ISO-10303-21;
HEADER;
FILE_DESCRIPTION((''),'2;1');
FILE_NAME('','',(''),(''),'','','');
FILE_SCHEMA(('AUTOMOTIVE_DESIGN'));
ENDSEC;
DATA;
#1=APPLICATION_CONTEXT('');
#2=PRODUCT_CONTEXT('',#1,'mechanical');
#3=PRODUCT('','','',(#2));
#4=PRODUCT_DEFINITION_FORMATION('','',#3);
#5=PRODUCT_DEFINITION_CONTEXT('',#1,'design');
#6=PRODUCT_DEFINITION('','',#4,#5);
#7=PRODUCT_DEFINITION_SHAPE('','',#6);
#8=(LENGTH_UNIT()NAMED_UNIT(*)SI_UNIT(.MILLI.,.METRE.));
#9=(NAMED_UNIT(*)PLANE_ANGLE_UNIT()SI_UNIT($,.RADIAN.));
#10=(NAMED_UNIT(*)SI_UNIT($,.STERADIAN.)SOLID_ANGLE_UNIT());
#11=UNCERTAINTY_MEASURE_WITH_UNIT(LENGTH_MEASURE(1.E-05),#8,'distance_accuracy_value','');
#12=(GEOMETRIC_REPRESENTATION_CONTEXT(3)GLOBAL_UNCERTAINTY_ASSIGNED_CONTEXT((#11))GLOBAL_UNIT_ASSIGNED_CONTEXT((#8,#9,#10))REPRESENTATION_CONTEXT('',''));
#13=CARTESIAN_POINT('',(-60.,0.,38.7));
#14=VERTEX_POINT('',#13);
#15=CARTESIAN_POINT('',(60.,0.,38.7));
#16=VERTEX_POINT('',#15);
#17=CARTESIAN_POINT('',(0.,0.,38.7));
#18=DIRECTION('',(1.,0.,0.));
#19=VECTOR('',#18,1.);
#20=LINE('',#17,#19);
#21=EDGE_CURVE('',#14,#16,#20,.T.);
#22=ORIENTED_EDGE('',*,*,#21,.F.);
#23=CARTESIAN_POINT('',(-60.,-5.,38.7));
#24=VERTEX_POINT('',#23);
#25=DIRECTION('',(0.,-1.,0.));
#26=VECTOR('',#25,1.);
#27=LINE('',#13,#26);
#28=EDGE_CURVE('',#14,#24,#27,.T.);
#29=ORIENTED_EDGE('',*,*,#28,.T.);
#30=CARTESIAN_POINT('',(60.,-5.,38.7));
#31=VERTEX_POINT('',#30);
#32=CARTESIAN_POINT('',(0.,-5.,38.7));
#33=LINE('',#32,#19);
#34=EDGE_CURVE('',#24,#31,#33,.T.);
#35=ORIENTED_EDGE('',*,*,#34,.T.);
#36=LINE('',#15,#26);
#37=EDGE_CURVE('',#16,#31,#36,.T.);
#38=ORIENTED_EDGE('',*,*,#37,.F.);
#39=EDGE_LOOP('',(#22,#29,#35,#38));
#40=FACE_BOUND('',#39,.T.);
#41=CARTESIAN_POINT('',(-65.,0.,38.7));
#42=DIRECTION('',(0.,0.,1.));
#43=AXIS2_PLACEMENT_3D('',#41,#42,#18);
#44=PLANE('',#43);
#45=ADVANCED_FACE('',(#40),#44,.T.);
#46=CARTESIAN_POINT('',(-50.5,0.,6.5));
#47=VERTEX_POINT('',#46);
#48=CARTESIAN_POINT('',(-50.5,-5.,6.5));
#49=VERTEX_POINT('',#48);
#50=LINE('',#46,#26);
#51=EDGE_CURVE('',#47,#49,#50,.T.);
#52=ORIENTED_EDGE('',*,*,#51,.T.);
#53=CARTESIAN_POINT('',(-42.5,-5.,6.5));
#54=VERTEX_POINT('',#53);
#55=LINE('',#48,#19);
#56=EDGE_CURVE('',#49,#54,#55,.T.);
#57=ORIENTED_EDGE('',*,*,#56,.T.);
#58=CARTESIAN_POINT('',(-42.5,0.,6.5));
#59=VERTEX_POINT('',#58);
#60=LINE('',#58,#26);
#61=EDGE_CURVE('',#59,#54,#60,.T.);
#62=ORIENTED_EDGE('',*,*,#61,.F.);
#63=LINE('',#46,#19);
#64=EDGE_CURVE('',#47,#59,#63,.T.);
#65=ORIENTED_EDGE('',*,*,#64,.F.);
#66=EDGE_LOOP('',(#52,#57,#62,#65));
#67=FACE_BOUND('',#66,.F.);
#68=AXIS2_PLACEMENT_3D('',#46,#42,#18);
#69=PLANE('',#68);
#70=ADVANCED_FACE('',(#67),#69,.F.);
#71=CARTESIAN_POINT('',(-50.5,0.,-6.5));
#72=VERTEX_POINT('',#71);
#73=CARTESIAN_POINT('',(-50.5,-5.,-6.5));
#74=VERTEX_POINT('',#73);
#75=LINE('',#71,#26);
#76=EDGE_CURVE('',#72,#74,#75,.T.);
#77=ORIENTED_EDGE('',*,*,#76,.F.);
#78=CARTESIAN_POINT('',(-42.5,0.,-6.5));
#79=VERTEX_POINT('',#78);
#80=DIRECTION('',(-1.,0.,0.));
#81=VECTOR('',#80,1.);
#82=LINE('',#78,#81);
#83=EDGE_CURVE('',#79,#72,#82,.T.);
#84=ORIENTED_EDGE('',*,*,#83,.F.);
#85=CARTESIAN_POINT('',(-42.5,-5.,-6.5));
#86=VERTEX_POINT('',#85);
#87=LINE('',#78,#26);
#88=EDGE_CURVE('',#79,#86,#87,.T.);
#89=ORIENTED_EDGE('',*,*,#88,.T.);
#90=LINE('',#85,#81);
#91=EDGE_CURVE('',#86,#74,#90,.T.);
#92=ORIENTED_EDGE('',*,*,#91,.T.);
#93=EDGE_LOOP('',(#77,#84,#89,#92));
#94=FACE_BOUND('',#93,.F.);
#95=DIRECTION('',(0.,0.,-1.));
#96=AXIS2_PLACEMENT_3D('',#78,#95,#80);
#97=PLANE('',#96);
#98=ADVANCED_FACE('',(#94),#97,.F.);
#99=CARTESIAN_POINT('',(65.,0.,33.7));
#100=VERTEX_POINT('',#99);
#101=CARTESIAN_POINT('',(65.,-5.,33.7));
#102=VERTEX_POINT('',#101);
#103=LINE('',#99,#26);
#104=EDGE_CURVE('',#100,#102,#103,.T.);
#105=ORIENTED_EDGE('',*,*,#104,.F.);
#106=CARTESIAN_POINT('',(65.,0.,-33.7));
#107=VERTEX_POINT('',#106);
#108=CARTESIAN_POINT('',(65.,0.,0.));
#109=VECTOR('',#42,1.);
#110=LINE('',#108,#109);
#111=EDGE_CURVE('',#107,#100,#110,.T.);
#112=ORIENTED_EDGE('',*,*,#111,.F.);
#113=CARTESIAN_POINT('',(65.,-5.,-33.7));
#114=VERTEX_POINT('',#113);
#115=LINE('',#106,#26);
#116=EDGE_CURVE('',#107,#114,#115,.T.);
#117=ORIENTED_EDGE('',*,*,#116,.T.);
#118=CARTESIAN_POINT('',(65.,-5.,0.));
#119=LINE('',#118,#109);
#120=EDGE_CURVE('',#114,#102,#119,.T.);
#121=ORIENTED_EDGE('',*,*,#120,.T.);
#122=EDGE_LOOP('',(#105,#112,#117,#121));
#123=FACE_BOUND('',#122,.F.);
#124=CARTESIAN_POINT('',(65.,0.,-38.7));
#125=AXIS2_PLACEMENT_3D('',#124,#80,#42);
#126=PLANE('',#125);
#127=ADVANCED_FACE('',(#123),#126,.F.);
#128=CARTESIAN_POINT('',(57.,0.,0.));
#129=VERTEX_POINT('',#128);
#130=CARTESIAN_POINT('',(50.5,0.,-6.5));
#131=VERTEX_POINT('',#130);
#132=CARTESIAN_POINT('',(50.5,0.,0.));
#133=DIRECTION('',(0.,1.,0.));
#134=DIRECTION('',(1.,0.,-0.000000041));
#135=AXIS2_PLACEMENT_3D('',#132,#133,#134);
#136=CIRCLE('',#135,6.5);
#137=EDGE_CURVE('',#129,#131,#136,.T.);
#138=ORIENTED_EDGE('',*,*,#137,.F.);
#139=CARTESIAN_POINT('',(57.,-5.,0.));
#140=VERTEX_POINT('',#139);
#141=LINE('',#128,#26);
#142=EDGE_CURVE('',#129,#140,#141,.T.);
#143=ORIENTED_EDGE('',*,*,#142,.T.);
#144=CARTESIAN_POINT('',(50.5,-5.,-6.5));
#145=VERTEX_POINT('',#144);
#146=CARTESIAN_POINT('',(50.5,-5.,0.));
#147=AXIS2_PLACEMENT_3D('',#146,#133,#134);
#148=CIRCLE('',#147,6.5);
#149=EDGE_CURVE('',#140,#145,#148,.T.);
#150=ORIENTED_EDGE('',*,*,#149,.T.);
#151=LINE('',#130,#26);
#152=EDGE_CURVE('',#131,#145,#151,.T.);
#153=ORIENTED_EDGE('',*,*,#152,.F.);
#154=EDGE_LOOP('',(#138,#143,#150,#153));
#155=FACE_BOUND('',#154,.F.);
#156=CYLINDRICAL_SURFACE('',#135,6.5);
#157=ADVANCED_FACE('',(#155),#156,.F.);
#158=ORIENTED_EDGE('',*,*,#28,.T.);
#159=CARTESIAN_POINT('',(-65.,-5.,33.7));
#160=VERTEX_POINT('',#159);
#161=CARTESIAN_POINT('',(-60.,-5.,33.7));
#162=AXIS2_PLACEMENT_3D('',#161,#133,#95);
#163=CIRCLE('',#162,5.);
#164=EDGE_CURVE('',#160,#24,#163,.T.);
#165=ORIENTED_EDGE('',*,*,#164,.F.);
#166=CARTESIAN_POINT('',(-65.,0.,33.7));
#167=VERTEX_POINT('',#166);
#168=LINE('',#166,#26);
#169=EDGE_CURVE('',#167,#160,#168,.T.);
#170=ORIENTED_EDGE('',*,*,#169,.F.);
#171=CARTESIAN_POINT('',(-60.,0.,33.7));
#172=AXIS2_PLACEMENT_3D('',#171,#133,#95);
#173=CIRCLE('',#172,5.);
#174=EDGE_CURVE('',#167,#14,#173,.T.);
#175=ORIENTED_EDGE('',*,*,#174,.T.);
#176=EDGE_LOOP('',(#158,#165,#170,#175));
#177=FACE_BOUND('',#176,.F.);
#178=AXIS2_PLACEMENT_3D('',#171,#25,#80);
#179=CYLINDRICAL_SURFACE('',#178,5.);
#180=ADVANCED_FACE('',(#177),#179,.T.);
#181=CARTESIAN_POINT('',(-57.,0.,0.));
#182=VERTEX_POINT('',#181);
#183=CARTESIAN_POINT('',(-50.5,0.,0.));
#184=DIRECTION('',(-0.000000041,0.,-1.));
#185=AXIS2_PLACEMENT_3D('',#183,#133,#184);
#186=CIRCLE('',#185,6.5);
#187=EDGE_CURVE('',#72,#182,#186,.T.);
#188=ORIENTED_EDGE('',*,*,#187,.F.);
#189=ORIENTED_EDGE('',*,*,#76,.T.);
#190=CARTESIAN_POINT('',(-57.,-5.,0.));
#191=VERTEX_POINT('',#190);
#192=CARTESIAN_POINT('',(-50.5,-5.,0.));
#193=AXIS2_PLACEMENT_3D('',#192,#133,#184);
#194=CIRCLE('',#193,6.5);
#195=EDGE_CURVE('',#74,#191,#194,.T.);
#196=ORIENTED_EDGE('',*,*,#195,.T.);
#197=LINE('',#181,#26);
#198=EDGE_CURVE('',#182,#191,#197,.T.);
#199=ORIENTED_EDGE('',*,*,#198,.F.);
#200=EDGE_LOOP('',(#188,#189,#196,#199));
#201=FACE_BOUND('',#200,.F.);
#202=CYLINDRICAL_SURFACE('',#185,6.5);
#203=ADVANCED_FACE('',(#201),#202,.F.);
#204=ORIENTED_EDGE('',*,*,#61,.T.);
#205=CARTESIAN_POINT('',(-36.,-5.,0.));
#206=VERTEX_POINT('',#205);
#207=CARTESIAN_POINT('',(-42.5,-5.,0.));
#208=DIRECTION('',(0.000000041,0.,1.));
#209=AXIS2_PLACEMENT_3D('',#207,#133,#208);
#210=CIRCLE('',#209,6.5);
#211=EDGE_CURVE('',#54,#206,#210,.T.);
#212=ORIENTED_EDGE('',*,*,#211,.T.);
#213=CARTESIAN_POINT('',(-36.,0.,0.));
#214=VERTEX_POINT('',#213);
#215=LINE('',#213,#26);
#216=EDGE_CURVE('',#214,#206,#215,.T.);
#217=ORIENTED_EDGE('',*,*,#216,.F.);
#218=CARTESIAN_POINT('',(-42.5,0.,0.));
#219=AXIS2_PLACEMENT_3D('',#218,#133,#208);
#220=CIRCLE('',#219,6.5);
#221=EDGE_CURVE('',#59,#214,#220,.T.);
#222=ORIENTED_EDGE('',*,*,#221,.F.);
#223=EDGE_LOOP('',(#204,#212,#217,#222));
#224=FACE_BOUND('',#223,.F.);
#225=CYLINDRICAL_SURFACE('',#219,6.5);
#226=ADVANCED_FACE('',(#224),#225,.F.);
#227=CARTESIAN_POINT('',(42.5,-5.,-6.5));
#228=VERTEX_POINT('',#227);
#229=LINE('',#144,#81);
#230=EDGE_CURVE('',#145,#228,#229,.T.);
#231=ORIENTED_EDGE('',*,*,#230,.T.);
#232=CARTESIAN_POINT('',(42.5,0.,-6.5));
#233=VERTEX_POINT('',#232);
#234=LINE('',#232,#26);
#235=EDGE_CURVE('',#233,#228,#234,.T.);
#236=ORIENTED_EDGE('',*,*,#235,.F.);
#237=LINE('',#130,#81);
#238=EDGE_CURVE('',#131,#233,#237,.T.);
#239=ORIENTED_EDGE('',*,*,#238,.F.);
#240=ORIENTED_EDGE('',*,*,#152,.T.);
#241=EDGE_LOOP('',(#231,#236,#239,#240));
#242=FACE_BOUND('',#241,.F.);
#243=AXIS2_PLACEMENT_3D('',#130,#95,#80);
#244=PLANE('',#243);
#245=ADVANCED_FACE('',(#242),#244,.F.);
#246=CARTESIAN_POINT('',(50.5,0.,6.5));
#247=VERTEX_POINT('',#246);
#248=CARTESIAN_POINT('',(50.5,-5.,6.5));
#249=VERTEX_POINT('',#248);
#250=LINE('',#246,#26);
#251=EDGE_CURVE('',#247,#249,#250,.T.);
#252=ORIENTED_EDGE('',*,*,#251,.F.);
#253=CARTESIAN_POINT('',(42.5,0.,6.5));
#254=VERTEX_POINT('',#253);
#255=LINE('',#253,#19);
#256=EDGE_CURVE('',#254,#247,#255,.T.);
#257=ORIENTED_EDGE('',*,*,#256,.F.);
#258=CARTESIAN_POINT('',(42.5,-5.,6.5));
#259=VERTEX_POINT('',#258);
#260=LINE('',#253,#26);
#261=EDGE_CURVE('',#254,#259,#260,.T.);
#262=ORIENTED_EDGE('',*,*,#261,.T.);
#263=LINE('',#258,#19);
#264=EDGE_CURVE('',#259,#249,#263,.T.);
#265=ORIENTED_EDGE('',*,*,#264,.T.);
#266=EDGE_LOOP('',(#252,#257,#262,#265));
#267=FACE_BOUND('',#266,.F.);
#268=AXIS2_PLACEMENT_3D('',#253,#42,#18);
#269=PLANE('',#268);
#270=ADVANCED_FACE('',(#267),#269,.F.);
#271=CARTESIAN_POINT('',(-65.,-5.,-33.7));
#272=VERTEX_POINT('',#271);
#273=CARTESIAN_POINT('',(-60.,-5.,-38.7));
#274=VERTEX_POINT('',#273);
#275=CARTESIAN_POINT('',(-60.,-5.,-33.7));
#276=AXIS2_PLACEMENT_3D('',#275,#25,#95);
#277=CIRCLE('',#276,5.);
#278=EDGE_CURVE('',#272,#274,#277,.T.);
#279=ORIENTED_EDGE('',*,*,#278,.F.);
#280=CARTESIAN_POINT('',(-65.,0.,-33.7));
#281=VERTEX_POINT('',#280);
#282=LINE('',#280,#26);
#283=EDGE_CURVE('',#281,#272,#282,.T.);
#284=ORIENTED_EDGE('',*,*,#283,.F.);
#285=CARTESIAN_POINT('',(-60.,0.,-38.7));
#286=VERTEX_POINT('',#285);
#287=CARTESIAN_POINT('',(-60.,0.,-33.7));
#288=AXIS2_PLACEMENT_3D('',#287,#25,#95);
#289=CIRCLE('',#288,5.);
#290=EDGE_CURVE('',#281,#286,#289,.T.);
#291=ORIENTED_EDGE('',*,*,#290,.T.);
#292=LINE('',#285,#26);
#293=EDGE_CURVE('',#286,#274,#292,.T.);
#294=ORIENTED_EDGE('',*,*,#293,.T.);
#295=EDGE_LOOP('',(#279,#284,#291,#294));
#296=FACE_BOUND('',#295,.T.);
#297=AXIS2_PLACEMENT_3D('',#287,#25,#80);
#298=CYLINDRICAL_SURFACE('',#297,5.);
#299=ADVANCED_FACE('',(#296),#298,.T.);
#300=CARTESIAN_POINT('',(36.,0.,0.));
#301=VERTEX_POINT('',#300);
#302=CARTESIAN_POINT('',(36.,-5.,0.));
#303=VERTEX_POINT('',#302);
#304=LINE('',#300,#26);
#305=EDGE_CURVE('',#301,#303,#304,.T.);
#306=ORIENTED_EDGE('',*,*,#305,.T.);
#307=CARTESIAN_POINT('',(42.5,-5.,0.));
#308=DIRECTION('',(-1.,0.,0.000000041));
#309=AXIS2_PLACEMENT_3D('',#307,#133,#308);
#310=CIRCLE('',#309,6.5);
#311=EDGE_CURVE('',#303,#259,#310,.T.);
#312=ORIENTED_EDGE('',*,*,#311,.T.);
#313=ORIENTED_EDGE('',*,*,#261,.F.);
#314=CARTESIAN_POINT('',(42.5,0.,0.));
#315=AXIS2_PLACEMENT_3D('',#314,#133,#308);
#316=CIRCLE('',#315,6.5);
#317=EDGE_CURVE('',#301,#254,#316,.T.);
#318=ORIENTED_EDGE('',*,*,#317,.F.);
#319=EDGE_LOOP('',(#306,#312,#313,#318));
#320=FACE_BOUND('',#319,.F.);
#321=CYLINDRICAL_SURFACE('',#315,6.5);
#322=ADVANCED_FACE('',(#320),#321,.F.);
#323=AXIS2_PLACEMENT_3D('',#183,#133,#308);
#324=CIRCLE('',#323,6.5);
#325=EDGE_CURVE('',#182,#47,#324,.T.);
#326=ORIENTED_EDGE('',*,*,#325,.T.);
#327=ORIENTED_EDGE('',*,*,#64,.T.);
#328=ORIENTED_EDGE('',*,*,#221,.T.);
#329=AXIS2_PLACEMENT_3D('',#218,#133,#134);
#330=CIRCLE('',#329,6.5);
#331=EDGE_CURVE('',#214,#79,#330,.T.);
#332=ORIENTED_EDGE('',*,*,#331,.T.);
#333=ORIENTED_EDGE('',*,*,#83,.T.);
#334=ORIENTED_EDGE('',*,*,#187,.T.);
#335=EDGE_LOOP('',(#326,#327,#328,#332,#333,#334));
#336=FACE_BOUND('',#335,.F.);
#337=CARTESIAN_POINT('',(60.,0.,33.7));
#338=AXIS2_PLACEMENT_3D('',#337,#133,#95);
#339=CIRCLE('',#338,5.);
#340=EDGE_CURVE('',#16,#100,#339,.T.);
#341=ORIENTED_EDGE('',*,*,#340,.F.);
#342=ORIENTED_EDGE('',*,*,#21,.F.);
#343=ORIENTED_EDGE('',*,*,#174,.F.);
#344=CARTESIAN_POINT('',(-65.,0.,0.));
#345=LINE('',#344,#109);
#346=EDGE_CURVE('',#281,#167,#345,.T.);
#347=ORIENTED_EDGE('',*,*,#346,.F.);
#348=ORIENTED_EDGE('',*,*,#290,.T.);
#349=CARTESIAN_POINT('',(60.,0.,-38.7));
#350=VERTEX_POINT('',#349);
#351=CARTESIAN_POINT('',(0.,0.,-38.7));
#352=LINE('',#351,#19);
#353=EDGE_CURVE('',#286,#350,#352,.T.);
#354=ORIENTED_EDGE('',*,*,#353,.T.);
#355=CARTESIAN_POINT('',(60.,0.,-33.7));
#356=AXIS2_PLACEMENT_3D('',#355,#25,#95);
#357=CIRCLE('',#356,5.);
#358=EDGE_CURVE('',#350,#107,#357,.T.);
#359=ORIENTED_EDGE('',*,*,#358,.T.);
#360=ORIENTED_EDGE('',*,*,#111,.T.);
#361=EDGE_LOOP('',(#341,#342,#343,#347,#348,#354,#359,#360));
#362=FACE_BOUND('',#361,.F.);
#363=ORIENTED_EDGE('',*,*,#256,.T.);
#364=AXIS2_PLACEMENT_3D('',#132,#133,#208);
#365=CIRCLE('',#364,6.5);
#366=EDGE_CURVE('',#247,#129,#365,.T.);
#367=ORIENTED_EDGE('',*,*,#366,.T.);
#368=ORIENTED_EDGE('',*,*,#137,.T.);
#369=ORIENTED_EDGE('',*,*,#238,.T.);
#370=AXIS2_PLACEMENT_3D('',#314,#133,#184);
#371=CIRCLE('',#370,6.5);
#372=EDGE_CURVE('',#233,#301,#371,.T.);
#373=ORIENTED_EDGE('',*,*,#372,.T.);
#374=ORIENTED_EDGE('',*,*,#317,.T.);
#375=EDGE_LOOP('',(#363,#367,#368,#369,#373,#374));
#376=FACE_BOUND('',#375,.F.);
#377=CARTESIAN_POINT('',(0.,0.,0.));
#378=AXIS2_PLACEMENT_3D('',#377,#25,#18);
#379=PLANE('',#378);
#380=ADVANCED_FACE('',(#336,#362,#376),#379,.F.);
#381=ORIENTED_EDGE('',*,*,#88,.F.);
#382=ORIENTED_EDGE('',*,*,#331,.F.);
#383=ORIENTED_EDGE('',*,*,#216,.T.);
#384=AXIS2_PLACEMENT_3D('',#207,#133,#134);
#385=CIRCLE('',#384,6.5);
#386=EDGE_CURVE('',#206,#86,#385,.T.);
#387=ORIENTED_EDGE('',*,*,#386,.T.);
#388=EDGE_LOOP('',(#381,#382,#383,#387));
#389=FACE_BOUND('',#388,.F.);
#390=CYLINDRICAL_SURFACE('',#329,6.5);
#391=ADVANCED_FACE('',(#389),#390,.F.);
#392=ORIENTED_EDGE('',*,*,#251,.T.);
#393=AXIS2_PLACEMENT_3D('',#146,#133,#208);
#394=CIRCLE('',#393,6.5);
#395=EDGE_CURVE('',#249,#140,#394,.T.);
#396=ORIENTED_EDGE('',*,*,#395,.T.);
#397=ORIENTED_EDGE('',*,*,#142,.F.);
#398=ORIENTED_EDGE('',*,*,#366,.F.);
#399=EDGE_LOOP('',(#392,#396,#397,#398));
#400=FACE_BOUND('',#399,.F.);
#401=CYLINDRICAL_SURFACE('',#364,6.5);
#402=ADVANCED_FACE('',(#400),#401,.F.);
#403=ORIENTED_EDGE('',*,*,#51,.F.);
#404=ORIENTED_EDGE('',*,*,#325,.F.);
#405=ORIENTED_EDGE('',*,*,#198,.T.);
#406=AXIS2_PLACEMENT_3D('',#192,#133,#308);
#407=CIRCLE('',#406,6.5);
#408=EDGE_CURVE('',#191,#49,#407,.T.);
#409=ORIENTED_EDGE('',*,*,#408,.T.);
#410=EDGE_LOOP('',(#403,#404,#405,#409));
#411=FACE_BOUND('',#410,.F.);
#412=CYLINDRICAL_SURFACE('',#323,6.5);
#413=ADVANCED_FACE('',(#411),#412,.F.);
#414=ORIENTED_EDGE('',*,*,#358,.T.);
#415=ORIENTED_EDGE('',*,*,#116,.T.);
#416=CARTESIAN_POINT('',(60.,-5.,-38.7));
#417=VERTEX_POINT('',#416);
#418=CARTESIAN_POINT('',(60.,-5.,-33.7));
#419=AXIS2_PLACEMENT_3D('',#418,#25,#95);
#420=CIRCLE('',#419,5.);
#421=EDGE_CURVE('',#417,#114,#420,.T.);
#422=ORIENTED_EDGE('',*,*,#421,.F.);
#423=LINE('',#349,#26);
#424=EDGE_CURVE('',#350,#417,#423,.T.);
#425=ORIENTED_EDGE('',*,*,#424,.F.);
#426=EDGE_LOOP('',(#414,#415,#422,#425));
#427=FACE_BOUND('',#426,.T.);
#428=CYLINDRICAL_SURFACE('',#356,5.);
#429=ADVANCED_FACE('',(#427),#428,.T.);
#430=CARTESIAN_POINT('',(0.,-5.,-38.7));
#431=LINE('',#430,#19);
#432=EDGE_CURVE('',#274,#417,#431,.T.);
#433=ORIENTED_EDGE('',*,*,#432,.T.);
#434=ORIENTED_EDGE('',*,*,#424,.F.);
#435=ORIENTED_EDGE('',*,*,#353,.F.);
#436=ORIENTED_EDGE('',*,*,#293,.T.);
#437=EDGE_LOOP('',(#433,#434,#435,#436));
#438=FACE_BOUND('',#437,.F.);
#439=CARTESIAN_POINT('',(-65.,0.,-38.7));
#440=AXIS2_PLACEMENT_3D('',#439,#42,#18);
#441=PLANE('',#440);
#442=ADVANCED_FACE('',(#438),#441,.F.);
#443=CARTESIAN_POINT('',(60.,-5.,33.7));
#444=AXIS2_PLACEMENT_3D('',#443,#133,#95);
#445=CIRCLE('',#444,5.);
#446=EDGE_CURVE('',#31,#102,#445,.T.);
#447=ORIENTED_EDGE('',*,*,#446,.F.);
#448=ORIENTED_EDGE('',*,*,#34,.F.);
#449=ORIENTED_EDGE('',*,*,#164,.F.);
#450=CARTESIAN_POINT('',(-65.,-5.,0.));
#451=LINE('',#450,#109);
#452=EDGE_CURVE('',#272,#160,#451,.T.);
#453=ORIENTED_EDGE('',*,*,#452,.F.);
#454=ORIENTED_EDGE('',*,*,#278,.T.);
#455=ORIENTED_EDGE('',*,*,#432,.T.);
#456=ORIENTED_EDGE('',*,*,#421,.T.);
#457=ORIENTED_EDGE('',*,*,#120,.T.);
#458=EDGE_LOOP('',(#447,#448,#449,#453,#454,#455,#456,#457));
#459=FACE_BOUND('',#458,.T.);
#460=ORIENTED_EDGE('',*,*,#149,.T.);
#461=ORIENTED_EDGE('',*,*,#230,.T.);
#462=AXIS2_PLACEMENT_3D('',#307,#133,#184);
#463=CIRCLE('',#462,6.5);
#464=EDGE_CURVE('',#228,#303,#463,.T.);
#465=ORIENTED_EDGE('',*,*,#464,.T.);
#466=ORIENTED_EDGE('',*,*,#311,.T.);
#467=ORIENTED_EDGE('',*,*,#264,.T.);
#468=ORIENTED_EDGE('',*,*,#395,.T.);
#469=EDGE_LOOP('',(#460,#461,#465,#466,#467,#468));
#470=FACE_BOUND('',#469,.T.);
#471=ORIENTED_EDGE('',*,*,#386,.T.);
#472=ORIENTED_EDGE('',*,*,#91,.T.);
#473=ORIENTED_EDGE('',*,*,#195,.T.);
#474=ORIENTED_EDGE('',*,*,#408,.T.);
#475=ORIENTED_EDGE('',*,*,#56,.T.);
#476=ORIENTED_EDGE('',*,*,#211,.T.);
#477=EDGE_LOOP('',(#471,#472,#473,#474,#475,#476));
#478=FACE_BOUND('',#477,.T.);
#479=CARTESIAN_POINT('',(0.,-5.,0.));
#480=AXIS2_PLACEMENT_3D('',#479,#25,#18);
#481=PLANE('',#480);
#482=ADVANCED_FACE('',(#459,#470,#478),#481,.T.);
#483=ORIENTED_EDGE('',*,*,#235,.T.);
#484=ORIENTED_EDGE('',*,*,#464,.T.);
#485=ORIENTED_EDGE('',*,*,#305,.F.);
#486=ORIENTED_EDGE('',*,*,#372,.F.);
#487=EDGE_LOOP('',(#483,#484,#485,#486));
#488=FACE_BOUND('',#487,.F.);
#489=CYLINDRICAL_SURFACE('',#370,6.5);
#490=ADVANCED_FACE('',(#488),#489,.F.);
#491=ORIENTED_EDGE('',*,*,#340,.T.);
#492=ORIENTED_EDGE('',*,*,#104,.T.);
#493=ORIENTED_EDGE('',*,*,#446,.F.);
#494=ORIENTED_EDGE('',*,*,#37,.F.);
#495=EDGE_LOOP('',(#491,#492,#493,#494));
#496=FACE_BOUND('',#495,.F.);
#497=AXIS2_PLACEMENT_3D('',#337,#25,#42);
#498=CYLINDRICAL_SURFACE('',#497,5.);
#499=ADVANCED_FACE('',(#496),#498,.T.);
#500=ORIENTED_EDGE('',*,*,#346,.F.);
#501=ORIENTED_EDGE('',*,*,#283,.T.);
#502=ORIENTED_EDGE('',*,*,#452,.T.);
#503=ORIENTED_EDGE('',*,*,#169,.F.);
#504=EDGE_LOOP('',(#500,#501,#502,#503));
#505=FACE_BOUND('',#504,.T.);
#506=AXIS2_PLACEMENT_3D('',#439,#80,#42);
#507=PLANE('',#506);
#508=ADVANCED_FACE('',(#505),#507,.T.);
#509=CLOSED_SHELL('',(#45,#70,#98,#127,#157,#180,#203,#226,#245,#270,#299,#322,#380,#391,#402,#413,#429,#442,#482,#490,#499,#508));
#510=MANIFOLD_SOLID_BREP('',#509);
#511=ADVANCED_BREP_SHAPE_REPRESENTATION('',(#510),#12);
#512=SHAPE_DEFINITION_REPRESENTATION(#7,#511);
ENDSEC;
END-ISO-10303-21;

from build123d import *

# Parameters (mm, degrees)
F0_W     = 130
F0_H     = 77.4
F1_DEPTH = 5
F2_R     = 5


with BuildPart() as f1:
    # F0 (on Front) → F1 (new body)
    with BuildSketch(Plane.XZ):
        Rectangle(F0_W, F0_H)
        with BuildLine():
            ThreePointArc((-36, 0), (-37.903806, -4.596194), (-42.5, -6.5))
            Line((-42.5, -6.5), (-50.5, -6.5))
            ThreePointArc((-50.5, -6.5), (-55.096194, -4.596194), (-57, 0))
            ThreePointArc((-57, 0), (-55.096194, 4.596194), (-50.5, 6.5))
            Line((-50.5, 6.5), (-42.5, 6.5))
            ThreePointArc((-42.5, 6.5), (-37.903806, 4.596194), (-36, 0))
        make_face(mode=Mode.SUBTRACT)
        with BuildLine():
            ThreePointArc((50.5, 6.5), (55.096194, 4.596194), (57, 0))
            ThreePointArc((57, 0), (55.096194, -4.596194), (50.5, -6.5))
            Line((50.5, -6.5), (42.5, -6.5))
            ThreePointArc((42.5, -6.5), (37.903806, -4.596194), (36, 0))
            ThreePointArc((36, 0), (37.903806, 4.596194), (42.5, 6.5))
            Line((42.5, 6.5), (50.5, 6.5))
        make_face(mode=Mode.SUBTRACT)
    extrude(amount=F1_DEPTH)

    # F2
    f2_edges = [f1.edges().sort_by_distance(p)[0] for p in [
        (65, -2.5, 38.7),
        (65, -2.5, -38.7),
        (-65, -2.5, -38.7),
        (-65, -2.5, 38.7),
    ]]
    fillet(f2_edges, radius=F2_R)


solid = f1.part
